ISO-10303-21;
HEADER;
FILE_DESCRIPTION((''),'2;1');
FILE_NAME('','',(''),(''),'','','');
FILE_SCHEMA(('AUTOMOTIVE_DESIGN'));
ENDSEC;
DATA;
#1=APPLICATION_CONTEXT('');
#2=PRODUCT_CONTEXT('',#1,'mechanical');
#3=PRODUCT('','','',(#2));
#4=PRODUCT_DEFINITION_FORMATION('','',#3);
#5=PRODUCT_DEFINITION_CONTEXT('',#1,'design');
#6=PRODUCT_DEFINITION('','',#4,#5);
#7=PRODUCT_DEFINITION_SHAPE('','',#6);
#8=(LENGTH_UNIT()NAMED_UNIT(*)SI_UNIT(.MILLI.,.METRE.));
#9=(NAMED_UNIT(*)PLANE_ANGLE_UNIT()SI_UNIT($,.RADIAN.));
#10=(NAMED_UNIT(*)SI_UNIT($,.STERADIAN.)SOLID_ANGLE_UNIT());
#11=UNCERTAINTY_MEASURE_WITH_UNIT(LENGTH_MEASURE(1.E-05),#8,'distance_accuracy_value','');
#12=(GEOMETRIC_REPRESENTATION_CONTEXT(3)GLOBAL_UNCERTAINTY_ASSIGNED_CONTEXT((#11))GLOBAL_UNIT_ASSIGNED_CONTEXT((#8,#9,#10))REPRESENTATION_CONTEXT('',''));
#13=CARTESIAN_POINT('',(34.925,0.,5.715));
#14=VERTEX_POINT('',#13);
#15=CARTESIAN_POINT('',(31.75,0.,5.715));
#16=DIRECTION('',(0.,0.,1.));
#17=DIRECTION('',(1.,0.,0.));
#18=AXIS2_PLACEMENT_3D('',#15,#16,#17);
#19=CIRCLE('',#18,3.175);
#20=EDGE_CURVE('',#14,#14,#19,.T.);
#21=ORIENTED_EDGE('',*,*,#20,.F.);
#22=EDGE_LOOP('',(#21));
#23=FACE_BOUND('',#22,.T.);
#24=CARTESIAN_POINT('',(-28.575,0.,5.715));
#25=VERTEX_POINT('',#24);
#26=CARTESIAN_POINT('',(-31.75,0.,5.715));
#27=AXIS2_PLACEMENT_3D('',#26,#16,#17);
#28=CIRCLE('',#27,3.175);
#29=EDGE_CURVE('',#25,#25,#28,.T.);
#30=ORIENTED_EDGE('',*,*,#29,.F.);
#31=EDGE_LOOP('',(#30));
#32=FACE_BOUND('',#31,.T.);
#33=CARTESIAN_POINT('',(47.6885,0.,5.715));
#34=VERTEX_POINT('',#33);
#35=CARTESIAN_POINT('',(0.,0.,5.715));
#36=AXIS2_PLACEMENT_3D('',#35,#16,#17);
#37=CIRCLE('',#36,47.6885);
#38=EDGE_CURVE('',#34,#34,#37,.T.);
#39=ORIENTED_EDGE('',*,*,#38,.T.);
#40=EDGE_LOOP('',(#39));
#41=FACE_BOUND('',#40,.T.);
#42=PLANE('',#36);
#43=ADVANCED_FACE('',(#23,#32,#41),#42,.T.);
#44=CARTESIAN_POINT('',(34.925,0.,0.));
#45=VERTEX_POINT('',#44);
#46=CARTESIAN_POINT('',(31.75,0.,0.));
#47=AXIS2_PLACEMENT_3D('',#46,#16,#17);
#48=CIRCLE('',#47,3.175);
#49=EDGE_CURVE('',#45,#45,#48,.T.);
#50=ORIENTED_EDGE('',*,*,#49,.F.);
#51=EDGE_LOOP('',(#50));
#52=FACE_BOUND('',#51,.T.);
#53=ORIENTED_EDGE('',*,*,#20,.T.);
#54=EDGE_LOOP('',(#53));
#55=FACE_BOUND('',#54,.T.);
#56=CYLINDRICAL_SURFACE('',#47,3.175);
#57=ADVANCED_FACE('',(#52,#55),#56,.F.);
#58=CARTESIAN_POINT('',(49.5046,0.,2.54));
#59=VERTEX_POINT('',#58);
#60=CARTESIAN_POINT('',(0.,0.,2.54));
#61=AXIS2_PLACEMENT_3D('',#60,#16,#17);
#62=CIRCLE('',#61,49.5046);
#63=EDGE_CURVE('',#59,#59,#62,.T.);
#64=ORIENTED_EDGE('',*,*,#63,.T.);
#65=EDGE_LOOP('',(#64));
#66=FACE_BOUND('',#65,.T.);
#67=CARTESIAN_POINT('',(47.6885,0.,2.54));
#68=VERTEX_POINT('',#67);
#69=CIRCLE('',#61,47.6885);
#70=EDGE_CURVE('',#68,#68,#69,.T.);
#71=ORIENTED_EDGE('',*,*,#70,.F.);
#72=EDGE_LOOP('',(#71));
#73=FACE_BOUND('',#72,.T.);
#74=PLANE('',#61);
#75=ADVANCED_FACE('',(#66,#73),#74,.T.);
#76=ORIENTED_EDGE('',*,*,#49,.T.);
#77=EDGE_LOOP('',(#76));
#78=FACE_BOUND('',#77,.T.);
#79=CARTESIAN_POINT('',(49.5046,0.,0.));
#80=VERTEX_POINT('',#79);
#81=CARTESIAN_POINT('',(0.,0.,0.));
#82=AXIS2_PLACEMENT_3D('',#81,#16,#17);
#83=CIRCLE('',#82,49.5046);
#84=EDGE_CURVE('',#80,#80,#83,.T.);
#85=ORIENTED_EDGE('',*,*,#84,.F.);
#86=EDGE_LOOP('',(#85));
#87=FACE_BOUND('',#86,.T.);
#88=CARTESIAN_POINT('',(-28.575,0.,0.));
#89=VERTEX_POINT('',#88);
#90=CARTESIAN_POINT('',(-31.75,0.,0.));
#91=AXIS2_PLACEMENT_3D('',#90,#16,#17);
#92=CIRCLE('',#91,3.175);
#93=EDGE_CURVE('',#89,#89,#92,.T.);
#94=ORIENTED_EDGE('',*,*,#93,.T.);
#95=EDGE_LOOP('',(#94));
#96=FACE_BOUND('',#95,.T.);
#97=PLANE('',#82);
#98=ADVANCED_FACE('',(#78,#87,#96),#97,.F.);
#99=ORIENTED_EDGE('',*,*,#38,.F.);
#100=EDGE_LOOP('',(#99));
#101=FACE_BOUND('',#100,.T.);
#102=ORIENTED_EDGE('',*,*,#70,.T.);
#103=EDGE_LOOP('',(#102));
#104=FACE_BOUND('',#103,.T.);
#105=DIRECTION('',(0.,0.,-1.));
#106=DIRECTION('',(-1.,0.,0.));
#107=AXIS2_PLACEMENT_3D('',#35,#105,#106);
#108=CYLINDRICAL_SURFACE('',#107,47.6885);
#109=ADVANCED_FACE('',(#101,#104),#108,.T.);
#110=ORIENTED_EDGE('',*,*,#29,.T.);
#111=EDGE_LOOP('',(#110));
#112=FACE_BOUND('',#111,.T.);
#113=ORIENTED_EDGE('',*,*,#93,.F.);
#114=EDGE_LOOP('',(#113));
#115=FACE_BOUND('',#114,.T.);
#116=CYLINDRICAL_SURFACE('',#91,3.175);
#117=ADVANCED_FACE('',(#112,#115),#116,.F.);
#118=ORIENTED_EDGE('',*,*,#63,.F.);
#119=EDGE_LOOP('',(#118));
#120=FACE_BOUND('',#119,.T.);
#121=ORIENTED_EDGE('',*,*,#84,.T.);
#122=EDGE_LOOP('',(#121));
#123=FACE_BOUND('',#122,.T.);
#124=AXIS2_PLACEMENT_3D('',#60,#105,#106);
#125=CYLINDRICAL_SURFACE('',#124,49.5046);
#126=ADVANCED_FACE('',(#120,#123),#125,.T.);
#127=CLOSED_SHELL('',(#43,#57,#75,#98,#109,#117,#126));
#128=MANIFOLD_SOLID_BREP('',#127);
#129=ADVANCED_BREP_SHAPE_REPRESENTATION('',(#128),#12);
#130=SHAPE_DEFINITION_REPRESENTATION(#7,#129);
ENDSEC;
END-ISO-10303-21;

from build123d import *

# Parameters (mm, degrees)
SKETCH1_R           = 49.5046
BOSS_EXTRUDE1_DEPTH = 2.54
SKETCH2_R           = 47.6885
BOSS_EXTRUDE2_DEPTH = 3.175
SKETCH3_R           = 3.175
CUT_EXTRUDE1_DEPTH  = 6.715


with BuildPart() as part:
    # Sketch1 → Boss-Extrude1 (new body)
    with BuildSketch(Plane.XY):
        Circle(SKETCH1_R)
    extrude(amount=BOSS_EXTRUDE1_DEPTH)

    # Sketch2 → Boss-Extrude2 (add)
    with BuildSketch(Plane.XY.offset(2.54)):
        Circle(SKETCH2_R)
    extrude(amount=BOSS_EXTRUDE2_DEPTH)

    # Sketch3 → Cut-Extrude1 (cut, through all)
    with BuildSketch(Plane.XY.offset(5.715)):
        with Locations((-31.75, 0)):
            Circle(SKETCH3_R)
        with Locations((31.75, 0)):
            Circle(SKETCH3_R)
    extrude(amount=-CUT_EXTRUDE1_DEPTH, mode=Mode.SUBTRACT)


solid = part.part
